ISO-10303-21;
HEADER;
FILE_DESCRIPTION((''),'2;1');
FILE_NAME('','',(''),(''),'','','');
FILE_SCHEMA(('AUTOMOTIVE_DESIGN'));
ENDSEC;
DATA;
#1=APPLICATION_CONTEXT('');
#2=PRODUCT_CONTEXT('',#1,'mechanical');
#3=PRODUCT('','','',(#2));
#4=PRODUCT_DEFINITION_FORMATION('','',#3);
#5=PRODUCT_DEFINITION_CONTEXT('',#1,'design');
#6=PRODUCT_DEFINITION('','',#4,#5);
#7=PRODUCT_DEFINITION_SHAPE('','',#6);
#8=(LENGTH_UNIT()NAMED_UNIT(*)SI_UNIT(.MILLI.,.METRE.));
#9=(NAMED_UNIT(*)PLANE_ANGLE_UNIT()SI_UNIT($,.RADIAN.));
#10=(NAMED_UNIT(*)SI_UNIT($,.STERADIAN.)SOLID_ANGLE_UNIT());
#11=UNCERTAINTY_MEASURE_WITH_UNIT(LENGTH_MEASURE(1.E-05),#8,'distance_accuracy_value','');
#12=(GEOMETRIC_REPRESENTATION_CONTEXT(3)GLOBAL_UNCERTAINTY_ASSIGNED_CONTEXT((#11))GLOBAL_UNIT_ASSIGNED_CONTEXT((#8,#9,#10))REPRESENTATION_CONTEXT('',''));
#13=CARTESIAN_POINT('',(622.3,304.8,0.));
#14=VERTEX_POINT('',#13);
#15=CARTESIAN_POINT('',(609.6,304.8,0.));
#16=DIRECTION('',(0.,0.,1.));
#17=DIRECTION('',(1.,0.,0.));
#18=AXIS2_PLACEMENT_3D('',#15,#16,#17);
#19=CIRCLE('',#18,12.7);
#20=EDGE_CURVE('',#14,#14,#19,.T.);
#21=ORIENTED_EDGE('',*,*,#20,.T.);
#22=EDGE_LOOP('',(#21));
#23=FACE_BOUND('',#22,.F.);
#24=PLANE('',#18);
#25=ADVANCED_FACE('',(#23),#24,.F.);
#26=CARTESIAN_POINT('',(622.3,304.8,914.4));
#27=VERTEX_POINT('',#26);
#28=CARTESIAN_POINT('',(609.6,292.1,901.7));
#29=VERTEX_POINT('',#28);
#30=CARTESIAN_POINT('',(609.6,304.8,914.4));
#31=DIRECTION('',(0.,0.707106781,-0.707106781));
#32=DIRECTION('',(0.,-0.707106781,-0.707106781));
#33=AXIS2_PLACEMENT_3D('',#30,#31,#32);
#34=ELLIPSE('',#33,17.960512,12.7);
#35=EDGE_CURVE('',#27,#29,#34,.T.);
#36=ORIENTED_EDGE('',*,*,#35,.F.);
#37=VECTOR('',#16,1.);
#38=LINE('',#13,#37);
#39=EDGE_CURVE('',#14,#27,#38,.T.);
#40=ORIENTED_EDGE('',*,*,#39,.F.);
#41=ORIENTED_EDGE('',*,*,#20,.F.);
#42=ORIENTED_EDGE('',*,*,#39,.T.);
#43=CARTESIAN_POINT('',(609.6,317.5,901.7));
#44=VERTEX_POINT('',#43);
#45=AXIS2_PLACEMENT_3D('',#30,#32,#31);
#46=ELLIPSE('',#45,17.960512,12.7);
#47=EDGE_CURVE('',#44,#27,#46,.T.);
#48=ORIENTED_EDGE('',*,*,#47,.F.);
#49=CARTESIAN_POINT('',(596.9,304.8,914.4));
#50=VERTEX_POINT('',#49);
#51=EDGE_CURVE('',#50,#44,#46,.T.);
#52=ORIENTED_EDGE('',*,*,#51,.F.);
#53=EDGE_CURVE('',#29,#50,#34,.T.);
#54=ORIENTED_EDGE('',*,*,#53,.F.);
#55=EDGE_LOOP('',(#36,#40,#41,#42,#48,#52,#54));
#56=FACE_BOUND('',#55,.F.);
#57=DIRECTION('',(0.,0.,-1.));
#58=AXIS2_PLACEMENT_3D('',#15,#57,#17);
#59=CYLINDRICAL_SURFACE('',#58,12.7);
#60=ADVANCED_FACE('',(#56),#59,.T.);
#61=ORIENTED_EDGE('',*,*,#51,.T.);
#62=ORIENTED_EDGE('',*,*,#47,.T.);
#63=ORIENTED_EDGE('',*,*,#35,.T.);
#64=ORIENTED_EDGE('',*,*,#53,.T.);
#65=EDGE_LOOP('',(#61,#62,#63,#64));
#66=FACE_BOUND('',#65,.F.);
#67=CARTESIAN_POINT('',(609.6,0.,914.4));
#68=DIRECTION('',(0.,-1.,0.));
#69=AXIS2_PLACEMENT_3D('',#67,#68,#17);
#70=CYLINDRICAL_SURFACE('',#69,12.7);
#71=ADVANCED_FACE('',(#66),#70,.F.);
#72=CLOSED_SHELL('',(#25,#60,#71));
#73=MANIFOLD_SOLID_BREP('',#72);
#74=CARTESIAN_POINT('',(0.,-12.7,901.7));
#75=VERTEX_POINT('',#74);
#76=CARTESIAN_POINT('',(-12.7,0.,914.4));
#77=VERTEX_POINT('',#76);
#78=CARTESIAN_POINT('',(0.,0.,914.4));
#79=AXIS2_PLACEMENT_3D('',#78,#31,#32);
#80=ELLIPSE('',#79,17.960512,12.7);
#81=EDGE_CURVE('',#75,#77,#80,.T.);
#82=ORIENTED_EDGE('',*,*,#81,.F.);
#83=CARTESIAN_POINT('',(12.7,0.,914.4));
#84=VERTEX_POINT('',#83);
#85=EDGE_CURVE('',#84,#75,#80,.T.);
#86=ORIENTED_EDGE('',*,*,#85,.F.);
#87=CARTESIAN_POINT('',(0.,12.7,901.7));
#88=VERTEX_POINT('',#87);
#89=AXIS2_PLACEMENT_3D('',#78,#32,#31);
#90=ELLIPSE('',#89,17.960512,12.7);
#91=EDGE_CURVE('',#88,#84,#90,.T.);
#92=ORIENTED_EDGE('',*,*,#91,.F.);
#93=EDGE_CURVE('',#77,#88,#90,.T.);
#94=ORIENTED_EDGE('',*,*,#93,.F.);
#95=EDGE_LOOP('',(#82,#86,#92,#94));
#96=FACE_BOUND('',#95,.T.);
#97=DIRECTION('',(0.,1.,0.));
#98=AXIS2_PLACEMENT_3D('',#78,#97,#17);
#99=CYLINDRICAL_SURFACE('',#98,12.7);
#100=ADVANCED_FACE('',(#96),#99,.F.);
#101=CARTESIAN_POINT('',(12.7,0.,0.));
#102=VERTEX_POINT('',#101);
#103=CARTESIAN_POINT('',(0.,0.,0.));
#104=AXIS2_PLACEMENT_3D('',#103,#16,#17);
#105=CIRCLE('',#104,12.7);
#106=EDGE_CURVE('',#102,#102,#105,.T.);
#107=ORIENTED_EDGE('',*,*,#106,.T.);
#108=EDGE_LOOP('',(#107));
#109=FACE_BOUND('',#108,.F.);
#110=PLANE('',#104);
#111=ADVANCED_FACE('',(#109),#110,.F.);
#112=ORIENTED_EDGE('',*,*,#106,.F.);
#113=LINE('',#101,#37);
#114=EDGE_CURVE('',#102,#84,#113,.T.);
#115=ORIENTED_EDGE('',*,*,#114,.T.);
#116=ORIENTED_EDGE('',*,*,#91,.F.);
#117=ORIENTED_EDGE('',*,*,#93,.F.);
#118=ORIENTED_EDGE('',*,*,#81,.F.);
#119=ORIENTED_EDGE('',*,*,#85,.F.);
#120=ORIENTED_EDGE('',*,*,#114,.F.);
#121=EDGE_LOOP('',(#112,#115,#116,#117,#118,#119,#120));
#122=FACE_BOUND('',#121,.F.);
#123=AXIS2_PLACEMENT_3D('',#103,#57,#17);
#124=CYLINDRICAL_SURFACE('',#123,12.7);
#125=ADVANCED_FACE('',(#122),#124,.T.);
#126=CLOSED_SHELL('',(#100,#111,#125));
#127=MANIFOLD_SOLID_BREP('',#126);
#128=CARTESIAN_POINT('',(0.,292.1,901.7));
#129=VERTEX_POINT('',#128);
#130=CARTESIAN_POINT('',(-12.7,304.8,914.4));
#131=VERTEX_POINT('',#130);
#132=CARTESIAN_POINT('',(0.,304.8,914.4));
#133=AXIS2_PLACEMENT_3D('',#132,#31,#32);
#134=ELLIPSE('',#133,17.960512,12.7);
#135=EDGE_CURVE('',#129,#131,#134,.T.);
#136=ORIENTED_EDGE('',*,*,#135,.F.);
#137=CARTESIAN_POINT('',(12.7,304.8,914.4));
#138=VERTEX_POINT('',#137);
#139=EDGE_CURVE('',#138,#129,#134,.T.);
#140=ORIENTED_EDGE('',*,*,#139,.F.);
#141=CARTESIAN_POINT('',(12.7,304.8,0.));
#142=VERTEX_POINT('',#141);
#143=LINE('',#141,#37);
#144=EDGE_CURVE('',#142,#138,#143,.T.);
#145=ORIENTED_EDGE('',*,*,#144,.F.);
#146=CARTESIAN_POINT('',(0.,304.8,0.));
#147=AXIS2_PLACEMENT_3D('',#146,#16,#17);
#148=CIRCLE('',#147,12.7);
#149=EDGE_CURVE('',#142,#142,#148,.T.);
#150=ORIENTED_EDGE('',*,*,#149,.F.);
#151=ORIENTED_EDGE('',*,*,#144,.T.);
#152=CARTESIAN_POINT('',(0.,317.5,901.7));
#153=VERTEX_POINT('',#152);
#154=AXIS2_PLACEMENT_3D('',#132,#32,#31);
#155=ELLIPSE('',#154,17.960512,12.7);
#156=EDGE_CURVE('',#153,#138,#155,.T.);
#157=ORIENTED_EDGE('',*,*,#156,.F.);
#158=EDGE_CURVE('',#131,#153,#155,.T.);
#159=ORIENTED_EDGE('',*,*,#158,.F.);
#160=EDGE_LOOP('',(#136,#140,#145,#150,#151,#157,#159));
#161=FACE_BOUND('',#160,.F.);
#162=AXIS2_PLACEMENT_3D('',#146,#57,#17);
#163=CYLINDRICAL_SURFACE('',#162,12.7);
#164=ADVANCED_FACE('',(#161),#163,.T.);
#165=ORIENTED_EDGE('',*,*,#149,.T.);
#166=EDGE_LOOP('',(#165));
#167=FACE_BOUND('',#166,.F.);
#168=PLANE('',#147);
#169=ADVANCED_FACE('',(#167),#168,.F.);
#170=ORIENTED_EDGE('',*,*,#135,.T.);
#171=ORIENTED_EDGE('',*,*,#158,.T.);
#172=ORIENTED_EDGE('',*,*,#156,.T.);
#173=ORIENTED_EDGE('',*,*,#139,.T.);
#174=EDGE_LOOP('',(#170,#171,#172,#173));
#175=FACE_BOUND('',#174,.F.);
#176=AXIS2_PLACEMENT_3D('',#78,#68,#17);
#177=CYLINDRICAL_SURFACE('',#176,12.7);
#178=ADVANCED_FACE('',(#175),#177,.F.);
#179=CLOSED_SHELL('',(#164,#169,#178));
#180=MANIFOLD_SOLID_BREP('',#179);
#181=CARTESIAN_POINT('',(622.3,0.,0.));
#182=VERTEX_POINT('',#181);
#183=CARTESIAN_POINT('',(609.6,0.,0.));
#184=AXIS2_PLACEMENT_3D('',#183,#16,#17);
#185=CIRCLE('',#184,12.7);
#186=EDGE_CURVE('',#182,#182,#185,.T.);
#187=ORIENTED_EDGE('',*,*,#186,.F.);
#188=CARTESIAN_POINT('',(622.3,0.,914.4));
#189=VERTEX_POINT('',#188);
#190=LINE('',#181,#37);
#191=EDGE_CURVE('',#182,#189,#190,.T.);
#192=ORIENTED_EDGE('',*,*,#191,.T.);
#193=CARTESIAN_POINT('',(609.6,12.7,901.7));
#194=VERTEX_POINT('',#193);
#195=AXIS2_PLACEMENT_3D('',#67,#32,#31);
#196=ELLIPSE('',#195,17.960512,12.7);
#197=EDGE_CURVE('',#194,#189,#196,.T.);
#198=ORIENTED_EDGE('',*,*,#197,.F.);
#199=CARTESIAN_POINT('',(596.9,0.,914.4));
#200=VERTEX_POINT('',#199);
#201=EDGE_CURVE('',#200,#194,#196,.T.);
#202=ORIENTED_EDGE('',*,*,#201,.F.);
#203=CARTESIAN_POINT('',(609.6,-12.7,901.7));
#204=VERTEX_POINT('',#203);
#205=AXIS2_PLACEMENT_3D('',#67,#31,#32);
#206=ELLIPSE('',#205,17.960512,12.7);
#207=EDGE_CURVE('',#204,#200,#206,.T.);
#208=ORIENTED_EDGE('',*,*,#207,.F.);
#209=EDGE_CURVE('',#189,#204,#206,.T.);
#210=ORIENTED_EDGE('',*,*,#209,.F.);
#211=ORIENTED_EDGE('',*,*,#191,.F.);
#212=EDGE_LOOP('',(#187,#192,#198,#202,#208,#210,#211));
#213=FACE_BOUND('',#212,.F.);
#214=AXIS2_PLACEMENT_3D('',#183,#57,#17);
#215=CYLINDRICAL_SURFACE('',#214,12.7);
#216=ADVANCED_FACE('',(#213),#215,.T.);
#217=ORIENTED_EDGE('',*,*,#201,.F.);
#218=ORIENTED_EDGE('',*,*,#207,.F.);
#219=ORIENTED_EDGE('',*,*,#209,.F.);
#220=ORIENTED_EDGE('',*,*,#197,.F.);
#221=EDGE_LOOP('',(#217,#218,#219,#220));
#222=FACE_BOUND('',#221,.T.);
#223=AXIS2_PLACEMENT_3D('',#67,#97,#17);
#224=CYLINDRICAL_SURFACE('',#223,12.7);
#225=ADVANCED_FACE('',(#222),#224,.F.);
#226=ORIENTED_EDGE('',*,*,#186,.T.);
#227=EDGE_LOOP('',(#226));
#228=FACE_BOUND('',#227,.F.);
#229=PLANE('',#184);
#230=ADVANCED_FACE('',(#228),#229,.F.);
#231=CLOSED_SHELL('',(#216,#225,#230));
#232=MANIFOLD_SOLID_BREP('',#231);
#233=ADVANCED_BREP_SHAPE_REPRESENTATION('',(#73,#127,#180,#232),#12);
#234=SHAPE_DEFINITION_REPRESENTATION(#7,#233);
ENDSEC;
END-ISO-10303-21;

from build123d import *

# Parameters (mm, degrees)
F0_R          = 12.7
F1_DEPTH      = 914.4
F2_R          = 12.7
F3_DEPTH      = 317.501
F3_DEPTH_BACK = 12.701


with BuildPart() as f1:
    # F0 (on Top) → F1 (new body)
    with BuildSketch(Plane.XY):
        with Locations((0, 304.8)):
            Circle(F0_R)
    extrude(amount=F1_DEPTH)


with BuildPart() as f1b:
    # F0 (on Top) → F1, piece 2 (new body)
    with BuildSketch(Plane.XY):
        Circle(F0_R)
    extrude(amount=F1_DEPTH)


with BuildPart() as f1c:
    # F0 (on Top) → F1, piece 3 (new body)
    with BuildSketch(Plane.XY):
        with Locations((609.6, 304.8)):
            Circle(F0_R)
    extrude(amount=F1_DEPTH)


with BuildPart() as f1d:
    # F0 (on Top) → F1, piece 4 (new body)
    with BuildSketch(Plane.XY):
        with Locations((609.6, 0)):
            Circle(F0_R)
    extrude(amount=F1_DEPTH)


with BuildPart() as f3_tool:
    # F2 (on Front) → F3 (new body, two sides)
    with BuildSketch(Plane.XZ) as f3_sk:
        with Locations((0, 914.4)):
            Circle(F2_R)
        with Locations((609.6, 914.4)):
            Circle(F2_R)
    extrude(amount=-F3_DEPTH)
    extrude(f3_sk.sketch, amount=F3_DEPTH_BACK)


with BuildPart() as f1_1:
    add(f1.part)

    # F3: cut by f3_tool
    add(f3_tool.part, mode=Mode.SUBTRACT)


with BuildPart() as f1b_1:
    add(f1b.part)

    # F3: cut by f3_tool
    add(f3_tool.part, mode=Mode.SUBTRACT)


with BuildPart() as f1c_1:
    add(f1c.part)

    # F3: cut by f3_tool
    add(f3_tool.part, mode=Mode.SUBTRACT)


with BuildPart() as f1d_1:
    add(f1d.part)

    # F3: cut by f3_tool
    add(f3_tool.part, mode=Mode.SUBTRACT)


solid = Compound([f1_1.part, f1b_1.part, f1c_1.part, f1d_1.part])
